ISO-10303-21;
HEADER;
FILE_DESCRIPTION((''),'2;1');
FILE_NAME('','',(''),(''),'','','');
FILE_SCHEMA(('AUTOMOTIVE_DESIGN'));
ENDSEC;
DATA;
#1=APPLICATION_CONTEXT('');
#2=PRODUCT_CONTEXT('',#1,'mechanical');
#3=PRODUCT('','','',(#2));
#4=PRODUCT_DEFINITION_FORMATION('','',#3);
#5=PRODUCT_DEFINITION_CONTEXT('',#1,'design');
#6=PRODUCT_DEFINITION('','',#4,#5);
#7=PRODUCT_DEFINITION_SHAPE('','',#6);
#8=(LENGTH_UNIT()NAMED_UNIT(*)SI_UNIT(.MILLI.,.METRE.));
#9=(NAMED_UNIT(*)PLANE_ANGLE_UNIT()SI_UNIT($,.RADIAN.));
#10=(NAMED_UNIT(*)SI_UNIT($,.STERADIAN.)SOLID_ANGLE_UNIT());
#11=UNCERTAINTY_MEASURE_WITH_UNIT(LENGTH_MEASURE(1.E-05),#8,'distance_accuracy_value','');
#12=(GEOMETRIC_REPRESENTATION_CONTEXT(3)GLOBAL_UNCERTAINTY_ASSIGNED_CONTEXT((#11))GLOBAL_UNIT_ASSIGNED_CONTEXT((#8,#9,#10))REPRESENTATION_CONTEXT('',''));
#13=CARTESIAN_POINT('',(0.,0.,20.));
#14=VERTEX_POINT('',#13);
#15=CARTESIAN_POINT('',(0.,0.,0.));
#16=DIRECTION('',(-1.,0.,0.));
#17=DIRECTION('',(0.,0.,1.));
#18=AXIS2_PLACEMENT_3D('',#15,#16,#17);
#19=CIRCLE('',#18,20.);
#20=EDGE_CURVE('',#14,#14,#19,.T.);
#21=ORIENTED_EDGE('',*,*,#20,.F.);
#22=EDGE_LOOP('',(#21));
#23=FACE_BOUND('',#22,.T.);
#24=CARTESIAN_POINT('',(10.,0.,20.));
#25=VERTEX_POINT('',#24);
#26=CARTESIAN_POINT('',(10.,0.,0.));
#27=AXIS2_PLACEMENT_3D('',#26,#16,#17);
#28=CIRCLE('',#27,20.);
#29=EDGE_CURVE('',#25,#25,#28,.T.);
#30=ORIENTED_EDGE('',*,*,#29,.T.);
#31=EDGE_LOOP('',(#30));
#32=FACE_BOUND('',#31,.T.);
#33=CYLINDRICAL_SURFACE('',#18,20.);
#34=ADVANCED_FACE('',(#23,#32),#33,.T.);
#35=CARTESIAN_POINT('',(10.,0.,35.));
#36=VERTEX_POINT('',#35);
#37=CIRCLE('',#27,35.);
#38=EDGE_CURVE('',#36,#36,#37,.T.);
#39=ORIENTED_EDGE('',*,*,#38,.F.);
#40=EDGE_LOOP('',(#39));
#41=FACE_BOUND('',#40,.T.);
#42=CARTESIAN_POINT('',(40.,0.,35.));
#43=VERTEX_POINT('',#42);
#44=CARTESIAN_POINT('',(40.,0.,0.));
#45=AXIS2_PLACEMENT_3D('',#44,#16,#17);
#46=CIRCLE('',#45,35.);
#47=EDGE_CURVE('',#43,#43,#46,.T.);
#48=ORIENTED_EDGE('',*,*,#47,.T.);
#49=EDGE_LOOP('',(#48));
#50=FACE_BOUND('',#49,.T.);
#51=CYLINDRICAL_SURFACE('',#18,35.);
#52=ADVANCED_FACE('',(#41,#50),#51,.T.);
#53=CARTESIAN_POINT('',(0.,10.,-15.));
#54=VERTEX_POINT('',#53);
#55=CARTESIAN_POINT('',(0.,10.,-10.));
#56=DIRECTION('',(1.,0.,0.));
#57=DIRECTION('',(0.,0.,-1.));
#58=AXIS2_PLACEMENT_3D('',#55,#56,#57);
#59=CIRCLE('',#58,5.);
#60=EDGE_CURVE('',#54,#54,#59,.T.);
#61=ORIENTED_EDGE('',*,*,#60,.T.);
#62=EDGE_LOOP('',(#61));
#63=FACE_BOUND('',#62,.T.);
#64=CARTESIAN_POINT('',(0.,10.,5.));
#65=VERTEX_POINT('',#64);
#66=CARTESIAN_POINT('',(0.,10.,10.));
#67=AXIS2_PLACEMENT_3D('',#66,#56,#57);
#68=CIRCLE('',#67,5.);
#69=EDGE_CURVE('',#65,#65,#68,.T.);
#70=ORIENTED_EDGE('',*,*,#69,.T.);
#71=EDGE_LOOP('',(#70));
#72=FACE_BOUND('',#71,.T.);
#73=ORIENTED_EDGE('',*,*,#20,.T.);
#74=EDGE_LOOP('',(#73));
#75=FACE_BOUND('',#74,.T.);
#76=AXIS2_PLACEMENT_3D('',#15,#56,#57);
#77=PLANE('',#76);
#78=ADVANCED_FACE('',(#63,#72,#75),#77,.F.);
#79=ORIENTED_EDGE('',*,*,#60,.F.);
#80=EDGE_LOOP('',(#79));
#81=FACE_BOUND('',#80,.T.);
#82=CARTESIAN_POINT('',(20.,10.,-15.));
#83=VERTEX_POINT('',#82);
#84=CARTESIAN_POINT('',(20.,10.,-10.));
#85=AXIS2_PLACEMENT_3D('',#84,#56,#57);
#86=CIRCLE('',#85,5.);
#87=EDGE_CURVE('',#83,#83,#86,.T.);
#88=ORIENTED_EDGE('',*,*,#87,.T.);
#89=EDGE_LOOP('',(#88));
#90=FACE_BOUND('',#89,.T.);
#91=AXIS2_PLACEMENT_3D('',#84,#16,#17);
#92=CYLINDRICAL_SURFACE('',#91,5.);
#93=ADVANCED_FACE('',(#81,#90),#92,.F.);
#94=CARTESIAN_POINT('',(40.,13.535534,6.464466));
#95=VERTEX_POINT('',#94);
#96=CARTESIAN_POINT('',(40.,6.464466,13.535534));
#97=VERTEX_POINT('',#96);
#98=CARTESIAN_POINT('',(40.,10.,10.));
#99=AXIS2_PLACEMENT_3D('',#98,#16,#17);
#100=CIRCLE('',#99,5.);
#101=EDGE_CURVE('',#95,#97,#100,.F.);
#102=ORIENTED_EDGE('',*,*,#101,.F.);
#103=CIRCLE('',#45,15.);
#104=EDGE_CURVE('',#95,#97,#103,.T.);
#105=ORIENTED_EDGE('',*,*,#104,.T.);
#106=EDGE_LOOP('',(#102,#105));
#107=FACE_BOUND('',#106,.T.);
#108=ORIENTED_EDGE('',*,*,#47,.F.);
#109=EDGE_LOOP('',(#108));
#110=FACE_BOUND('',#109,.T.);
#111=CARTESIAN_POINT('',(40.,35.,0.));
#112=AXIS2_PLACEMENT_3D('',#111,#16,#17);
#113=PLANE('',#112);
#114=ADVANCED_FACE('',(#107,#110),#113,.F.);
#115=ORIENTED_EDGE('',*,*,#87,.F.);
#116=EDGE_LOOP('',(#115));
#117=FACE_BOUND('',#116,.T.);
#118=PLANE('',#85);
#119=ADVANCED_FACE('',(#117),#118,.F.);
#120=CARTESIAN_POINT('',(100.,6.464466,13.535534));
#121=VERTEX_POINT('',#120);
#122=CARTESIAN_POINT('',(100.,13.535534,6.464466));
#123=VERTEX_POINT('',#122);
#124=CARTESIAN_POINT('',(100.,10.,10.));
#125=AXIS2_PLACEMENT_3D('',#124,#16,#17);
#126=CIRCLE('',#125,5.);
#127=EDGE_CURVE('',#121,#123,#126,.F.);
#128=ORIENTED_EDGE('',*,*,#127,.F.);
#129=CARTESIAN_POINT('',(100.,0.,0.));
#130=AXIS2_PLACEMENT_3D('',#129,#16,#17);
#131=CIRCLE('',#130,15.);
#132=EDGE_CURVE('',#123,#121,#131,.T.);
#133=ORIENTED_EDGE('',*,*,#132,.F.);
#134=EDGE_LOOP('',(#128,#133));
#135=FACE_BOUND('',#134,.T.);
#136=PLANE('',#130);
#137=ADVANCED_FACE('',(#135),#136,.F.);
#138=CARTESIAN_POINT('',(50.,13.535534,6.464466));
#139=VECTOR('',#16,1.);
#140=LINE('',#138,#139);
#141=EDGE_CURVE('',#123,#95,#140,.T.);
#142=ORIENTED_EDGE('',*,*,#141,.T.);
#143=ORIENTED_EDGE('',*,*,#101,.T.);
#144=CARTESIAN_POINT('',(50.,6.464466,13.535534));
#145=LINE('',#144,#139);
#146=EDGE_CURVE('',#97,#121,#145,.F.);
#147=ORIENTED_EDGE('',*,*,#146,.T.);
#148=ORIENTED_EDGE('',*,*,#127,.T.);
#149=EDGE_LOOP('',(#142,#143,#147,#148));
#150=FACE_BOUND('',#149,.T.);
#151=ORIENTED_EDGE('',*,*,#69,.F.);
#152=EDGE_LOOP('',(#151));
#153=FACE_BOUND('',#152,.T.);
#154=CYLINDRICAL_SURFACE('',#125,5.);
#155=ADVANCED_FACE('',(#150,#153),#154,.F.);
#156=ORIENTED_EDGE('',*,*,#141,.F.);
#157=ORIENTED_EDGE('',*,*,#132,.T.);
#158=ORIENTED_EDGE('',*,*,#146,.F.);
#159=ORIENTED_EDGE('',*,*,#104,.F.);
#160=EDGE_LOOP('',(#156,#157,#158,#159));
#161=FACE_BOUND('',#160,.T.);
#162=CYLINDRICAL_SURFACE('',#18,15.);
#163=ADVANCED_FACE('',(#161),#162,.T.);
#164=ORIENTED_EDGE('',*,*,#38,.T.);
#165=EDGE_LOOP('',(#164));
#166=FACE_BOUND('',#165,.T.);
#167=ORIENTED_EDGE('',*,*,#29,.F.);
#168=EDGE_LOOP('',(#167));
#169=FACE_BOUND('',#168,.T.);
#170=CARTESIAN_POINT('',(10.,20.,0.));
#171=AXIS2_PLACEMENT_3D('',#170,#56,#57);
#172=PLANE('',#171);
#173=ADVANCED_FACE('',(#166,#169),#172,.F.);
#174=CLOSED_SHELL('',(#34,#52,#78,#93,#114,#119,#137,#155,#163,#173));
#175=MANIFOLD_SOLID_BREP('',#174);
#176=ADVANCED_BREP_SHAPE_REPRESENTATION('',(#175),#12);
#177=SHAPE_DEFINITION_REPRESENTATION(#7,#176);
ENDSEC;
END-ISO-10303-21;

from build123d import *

# Parameters (mm, degrees)
SKETCH_2_R          = 5
CUT_EXTRUDE_1_DEPTH = 20
SKETCH_3_R          = 5
CUT_EXTRUDE_2_DEPTH = 112.579568022


with BuildPart() as part:
    # Эскиз1 → Повернуть1 (revolve)
    with BuildSketch(Plane.XY, mode=Mode.PRIVATE) as revolve_1_sk:
        Polygon((0, 0), (100, 0), (100, 15), (40, 15), (40, 35), (10, 35), (10, 20), (0, 20), align=None)
    revolve(revolve_1_sk.sketch.rotate(Axis((0, 0, 0), (1, 0, 0)), 90), axis=Axis((0, 0, 0), (1, 0, 0)))

    # Эскиз2 → Вырез-Вытянуть1 (cut)
    with BuildSketch(Plane(origin=(0, 0, 0), x_dir=(0, 0, -1), z_dir=(1, 0, 0))):
        with Locations((10, 10)):
            Circle(SKETCH_2_R)
    extrude(amount=CUT_EXTRUDE_1_DEPTH, mode=Mode.SUBTRACT)

    # Эскиз3 → Вырез-Вытянуть2 (cut, through all)
    with BuildSketch(Plane(origin=(0, 0, 0), x_dir=(0, 0, -1), z_dir=(1, 0, 0))):
        with Locations(Location((-10, 10, 0), (0, 0, 225))):
            Circle(SKETCH_3_R)
    extrude(amount=CUT_EXTRUDE_2_DEPTH, mode=Mode.SUBTRACT)


solid = part.part
